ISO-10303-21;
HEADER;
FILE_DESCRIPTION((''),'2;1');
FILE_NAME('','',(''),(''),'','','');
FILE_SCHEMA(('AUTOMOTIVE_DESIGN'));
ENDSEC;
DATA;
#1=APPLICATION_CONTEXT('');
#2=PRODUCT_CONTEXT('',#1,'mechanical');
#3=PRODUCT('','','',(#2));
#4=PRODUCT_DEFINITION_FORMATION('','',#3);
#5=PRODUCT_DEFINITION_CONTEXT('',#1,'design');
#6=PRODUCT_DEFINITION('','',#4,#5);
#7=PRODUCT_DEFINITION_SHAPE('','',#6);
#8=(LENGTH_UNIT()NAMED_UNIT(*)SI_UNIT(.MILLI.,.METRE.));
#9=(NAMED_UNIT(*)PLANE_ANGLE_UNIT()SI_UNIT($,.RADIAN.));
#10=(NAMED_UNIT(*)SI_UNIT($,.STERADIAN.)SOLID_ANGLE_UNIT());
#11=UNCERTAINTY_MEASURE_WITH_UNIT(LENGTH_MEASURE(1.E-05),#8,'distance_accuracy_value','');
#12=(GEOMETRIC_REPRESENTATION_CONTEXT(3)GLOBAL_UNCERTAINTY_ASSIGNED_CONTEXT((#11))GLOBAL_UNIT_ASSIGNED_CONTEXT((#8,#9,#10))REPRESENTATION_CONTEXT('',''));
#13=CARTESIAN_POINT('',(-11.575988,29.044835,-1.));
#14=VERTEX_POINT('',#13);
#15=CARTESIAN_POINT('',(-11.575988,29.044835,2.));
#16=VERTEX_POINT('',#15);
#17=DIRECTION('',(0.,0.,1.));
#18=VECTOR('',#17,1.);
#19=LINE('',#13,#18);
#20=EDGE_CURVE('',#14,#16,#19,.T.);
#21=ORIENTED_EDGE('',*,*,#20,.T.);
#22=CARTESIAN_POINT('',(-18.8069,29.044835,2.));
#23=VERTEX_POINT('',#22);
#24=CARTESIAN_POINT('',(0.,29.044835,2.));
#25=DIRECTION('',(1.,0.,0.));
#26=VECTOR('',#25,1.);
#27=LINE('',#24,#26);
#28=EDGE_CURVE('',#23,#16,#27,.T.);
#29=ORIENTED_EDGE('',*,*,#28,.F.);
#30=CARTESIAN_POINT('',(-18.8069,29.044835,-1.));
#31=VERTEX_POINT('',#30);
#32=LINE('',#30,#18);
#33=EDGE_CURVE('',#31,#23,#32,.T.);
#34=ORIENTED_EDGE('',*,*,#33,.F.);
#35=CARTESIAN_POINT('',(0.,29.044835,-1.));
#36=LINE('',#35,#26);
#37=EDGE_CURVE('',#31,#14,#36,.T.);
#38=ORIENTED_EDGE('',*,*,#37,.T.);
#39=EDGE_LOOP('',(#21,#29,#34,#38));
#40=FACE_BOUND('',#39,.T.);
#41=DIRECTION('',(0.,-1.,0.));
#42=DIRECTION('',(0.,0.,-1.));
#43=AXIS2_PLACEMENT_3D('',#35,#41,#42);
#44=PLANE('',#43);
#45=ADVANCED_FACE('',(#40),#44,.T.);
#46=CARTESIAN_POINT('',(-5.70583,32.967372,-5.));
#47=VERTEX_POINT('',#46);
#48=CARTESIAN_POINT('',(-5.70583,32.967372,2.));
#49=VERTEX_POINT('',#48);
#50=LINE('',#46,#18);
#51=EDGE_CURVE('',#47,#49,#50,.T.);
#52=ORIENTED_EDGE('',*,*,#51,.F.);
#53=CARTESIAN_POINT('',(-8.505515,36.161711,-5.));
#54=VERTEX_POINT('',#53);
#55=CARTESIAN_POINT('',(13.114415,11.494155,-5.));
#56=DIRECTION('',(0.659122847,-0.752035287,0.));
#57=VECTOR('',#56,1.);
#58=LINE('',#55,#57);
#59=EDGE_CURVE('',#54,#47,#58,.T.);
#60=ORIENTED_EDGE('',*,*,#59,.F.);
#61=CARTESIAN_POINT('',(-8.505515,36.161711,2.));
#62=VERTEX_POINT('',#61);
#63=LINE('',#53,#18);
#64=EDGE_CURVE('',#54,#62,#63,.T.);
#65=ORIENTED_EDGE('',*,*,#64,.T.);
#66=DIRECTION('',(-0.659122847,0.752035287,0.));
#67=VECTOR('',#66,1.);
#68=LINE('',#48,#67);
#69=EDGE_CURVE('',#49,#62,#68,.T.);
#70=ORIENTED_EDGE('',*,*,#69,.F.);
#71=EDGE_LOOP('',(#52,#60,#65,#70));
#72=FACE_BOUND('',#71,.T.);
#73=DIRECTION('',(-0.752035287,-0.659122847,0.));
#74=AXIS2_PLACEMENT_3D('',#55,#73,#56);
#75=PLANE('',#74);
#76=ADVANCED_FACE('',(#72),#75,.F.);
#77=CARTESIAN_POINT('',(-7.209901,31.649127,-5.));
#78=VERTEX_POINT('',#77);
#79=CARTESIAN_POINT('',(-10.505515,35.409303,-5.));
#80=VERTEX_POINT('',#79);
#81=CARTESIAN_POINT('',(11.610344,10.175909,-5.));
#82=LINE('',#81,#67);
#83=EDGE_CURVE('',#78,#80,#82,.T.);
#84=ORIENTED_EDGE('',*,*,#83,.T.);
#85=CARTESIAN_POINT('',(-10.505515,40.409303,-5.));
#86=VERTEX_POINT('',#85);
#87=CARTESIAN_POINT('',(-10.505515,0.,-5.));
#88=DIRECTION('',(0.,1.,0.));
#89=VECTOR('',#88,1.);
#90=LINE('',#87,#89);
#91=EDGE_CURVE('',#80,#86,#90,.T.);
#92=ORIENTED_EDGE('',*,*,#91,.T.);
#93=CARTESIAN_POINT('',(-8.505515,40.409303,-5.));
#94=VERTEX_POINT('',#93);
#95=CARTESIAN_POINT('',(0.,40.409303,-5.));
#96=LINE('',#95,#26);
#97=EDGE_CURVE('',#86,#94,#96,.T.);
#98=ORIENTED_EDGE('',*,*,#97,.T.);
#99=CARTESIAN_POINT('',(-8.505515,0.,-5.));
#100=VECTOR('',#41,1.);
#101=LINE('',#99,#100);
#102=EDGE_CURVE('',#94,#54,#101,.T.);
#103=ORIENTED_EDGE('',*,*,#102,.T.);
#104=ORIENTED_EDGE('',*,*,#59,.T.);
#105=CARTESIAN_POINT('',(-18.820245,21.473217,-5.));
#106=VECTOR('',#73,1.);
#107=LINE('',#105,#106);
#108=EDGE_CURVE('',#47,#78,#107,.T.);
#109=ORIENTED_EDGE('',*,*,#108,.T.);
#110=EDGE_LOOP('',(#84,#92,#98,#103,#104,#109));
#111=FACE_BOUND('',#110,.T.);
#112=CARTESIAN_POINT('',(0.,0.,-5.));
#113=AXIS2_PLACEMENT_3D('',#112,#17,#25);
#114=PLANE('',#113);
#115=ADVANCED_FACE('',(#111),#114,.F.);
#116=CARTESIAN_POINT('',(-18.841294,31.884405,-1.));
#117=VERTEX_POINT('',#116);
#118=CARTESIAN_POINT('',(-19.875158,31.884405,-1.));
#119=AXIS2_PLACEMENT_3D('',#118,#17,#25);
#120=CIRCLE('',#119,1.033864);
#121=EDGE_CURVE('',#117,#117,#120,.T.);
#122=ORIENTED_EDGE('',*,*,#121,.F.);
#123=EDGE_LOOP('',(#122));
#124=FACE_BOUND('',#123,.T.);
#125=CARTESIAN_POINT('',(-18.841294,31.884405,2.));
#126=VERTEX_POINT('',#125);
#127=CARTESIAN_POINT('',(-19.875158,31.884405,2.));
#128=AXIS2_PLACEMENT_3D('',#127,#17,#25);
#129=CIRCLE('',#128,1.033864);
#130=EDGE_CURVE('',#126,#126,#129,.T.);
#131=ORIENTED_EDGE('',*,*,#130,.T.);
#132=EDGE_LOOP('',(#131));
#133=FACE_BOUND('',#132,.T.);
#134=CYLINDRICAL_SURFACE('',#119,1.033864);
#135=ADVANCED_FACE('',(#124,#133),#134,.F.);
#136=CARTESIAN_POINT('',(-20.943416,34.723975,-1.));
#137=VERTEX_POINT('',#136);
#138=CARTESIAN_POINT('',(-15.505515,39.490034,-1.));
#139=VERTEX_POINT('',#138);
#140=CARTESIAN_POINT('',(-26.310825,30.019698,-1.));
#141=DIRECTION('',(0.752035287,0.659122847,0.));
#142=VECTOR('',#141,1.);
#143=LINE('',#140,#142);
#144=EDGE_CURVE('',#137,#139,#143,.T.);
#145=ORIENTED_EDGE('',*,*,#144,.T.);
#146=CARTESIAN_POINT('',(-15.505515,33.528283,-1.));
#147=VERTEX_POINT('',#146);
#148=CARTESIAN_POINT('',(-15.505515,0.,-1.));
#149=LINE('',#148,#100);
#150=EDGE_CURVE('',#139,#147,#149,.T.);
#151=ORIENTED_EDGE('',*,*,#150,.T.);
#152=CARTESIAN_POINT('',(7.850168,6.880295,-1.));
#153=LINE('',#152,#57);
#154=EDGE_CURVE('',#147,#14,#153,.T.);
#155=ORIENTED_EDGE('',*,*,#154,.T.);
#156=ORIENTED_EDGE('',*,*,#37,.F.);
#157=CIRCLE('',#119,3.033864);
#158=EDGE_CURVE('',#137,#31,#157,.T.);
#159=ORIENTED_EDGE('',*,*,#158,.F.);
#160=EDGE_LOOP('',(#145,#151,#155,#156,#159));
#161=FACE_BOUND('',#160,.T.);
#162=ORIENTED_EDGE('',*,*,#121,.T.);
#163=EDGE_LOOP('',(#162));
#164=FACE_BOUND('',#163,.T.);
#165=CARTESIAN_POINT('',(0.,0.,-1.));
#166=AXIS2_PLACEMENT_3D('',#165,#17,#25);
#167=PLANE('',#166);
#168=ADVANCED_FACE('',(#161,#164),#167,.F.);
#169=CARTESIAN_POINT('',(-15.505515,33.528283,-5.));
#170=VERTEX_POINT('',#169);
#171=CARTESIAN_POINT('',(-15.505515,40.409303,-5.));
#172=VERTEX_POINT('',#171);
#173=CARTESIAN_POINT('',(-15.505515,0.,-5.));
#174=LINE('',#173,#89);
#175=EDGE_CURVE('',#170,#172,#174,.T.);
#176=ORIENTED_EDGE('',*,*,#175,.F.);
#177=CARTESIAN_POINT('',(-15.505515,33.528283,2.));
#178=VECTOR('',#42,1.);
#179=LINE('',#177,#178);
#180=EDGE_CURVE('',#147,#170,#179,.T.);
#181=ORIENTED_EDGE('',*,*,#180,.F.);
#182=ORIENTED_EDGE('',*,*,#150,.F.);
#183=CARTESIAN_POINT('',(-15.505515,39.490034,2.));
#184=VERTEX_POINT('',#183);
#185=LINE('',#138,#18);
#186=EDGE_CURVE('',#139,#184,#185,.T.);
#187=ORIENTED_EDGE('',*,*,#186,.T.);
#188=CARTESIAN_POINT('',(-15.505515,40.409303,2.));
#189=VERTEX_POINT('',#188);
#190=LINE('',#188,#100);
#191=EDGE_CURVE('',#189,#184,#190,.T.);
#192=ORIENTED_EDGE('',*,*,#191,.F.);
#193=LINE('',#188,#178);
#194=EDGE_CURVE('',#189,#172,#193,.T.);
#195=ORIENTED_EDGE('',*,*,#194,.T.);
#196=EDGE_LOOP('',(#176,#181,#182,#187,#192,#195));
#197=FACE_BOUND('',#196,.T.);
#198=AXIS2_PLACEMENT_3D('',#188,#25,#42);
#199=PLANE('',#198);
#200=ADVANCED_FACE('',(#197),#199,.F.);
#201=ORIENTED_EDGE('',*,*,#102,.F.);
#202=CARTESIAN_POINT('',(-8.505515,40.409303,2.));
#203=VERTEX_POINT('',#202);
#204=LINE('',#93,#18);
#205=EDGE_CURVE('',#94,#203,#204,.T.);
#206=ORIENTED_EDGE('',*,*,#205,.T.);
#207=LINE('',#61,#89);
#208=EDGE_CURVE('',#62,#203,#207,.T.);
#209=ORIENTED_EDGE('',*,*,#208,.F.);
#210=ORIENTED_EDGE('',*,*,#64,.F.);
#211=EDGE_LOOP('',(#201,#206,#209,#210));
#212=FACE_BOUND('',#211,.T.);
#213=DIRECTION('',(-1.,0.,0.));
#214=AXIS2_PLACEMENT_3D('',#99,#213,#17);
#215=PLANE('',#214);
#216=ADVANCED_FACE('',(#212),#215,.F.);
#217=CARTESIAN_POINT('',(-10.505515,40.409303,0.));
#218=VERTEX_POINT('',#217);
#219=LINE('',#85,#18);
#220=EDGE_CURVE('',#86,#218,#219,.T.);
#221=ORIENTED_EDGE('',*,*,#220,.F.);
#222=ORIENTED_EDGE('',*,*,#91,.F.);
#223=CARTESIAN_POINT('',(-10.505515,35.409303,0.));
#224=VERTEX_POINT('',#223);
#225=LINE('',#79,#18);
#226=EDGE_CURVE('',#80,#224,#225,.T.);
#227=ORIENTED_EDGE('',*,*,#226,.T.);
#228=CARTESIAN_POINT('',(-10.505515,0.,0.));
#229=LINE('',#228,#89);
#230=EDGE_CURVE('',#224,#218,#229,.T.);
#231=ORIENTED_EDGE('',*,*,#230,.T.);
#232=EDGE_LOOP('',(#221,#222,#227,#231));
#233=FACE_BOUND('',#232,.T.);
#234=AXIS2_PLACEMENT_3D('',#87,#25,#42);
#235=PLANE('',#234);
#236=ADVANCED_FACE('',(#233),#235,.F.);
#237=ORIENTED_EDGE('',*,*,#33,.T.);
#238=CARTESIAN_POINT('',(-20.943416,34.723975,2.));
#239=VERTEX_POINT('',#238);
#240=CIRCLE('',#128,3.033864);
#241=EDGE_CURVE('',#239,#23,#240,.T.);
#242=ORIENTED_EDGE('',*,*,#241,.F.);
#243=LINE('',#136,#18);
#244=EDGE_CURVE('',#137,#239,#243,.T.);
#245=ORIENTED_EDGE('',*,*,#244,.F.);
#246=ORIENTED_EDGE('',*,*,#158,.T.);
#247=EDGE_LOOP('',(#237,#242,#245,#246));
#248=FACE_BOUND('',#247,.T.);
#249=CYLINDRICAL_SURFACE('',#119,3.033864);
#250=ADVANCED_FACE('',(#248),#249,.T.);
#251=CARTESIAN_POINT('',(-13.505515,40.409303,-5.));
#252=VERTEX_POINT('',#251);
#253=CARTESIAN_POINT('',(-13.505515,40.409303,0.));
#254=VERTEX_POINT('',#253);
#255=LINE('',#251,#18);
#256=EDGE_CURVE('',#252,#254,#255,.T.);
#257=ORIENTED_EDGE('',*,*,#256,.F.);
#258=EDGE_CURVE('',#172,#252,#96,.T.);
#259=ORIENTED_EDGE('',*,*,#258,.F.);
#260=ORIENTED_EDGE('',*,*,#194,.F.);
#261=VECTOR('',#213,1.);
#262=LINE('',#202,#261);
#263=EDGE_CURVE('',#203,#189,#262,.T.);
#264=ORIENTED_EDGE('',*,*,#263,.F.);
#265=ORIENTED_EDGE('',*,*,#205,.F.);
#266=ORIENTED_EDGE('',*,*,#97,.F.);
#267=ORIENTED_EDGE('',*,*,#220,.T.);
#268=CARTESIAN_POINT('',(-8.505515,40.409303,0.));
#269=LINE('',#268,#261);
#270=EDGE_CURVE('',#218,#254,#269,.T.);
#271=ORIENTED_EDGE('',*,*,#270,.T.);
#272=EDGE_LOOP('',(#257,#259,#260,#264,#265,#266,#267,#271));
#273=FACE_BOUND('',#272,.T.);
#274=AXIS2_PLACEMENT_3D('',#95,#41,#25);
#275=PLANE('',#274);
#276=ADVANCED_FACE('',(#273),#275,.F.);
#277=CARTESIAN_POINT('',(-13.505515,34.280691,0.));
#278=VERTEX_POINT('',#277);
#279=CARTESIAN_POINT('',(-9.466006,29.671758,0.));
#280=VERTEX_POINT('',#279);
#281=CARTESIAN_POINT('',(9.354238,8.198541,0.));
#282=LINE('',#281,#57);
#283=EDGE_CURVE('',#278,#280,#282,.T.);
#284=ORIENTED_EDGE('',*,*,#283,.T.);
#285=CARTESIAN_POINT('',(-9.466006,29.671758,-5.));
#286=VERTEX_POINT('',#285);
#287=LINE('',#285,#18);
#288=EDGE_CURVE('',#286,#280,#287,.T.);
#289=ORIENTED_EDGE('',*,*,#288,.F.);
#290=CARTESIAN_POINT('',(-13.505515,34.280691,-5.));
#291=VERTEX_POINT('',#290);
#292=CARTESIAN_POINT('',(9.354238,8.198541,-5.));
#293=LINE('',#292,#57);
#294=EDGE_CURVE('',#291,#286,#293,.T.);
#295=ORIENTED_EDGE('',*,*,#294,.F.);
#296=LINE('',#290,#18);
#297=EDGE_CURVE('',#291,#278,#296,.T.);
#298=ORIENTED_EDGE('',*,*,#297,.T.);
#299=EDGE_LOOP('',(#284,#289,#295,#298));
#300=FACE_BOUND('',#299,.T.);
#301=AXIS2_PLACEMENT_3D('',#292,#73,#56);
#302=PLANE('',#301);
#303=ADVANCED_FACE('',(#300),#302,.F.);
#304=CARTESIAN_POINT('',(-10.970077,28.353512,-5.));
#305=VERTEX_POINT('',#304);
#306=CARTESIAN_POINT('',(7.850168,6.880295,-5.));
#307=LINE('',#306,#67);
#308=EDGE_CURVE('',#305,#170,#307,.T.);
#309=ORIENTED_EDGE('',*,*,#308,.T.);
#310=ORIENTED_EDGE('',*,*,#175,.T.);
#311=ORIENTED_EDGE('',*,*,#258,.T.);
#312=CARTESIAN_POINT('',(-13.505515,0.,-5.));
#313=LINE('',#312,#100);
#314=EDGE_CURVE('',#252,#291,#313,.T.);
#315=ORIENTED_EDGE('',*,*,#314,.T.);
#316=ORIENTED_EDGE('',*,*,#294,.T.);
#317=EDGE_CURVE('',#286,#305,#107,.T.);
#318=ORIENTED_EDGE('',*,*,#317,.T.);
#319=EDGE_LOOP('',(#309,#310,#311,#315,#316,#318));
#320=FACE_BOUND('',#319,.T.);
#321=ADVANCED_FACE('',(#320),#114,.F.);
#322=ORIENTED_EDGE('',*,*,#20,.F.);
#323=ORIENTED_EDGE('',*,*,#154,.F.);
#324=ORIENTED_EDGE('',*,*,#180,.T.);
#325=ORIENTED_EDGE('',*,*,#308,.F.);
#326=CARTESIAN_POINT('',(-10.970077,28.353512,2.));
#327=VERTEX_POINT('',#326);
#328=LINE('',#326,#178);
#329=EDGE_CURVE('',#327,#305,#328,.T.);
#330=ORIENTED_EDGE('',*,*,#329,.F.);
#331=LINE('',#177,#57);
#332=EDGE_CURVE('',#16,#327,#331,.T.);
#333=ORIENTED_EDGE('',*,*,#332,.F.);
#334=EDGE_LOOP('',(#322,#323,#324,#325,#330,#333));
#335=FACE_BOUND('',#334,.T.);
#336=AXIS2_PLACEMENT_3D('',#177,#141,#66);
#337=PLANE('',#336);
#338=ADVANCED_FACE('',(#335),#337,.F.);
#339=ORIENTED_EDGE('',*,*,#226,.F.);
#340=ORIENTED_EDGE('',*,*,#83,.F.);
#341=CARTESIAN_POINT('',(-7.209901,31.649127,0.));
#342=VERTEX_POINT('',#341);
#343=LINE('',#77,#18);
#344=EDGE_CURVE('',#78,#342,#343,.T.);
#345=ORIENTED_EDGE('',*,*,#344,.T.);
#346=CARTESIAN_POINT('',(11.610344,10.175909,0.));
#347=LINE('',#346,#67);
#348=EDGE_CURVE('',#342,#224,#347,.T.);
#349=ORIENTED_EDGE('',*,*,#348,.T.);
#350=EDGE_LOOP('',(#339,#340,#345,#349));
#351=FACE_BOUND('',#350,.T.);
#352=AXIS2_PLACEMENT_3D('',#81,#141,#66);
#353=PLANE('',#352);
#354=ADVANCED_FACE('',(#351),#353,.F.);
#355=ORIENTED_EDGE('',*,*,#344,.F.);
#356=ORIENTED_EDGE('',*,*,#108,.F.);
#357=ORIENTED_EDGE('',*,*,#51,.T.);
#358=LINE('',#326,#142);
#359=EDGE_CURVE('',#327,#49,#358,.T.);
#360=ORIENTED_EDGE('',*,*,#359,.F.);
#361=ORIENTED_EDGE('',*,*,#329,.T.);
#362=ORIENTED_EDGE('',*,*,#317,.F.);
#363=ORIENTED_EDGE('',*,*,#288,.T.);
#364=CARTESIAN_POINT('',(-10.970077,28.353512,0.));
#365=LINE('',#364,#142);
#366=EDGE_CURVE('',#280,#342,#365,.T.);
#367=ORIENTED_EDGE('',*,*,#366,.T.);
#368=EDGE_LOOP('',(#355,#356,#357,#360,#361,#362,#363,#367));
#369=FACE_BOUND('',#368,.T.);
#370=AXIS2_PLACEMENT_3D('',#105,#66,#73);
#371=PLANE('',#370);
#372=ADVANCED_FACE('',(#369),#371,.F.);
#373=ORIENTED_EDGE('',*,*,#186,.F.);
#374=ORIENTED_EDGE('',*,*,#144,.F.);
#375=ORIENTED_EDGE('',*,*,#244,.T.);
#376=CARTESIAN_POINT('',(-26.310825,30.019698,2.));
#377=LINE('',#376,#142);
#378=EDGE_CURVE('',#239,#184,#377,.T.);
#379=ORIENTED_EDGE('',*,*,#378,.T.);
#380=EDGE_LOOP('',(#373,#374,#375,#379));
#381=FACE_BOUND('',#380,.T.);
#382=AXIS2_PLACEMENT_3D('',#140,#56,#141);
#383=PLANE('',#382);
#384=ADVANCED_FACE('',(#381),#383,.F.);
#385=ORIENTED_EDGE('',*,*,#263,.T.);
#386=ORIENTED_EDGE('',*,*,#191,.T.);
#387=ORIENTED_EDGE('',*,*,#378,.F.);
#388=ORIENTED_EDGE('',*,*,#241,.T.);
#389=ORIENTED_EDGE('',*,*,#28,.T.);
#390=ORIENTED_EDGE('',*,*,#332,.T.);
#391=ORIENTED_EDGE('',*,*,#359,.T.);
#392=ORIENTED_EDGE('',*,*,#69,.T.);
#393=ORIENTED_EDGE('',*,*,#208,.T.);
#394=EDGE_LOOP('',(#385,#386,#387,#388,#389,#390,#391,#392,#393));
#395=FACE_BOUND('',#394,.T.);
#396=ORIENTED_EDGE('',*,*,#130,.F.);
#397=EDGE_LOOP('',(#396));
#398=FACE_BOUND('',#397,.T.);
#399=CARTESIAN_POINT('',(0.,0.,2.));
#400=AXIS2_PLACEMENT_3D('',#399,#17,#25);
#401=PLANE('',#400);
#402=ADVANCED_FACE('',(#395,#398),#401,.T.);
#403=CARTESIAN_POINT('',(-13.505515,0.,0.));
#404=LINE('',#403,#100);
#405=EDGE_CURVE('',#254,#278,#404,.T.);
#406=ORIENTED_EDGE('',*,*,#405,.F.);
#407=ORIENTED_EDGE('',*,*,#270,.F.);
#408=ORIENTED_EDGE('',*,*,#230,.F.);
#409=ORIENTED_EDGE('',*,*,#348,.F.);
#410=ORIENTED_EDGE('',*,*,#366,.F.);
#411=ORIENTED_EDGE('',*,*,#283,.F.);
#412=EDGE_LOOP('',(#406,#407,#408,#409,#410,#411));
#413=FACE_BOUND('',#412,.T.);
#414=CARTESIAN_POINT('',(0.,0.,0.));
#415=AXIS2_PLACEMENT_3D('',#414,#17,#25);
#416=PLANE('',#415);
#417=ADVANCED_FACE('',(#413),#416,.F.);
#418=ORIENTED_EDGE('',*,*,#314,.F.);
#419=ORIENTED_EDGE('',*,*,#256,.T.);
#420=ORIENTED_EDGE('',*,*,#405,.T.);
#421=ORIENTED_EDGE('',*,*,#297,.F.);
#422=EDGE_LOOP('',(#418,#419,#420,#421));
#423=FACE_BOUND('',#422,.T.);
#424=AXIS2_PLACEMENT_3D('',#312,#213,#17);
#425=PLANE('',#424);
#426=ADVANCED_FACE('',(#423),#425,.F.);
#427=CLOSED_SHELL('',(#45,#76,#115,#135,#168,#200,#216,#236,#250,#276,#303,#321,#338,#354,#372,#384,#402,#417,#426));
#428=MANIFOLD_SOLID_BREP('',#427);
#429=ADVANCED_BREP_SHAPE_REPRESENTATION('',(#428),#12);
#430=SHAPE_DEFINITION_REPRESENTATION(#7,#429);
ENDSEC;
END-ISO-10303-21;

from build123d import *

# Parameters (mm, degrees)
BOSS_EXTRUDE1_DEPTH   = 5
BOSS_EXTRUDE1_2_DEPTH = 5
BOSS_EXTRUDE2_DEPTH   = 2
SKETCH3_R             = 1.033864096
BOSS_EXTRUDE3_DEPTH   = 3


with BuildPart() as part:
    # Sketch1 → Boss-Extrude1 (new body)
    with BuildSketch(Plane.XY):
        Polygon((-10.505514799, 35.409303061), (-7.209900565, 31.649126626), (-5.705829991, 32.967372319), (-8.505514799, 36.161711248), (-8.505514799, 40.409303061), (-10.505514799, 40.409303061), align=None)
    extrude(amount=-BOSS_EXTRUDE1_DEPTH)



with BuildPart() as body_2:
    # Sketch1 → Boss-Extrude1 2 (new body)
    with BuildSketch(Plane.XY):
        Polygon((-13.505514799, 34.280690781), (-9.466006426, 29.671758086), (-10.970077001, 28.353512393), (-15.505514799, 33.528282595), (-15.505514799, 40.409303061), (-13.505514799, 40.409303061), align=None)
    extrude(amount=-BOSS_EXTRUDE1_2_DEPTH)


with BuildPart() as part_1:
    add(part.part)

    add(body_2.part)  # Boss-Extrude2 merges body 2
    # Sketch2 → Boss-Extrude2 (add)
    with BuildSketch(Plane.XY):
        Polygon((-10.970077001, 28.353512393), (-5.705829991, 32.967372319), (-8.505514799, 36.161711248), (-8.505514799, 40.409303061), (-15.505514799, 40.409303061), (-15.505514799, 33.528282595), align=None)
    extrude(amount=BOSS_EXTRUDE2_DEPTH)

    # Sketch3 → Boss-Extrude3 (add)
    with BuildSketch(Plane.XY.offset(2)):
        with BuildLine():
            Line((-11.57598817, 29.044835084), (-15.505514799, 33.528282595))
            Line((-15.505514799, 33.528282595), (-15.505514799, 39.490034108))
            Line((-15.505514799, 39.490034108), (-20.943415916, 34.723974688))
            ThreePointArc((-20.943415916, 34.723974688), (-22.714727935, 30.816147103), (-18.80690035, 29.044835084))
            Line((-18.80690035, 29.044835084), (-11.57598817, 29.044835084))
        make_face()
        with Locations((-19.875158133, 31.884404886)):
            Circle(SKETCH3_R, mode=Mode.SUBTRACT)
    extrude(amount=-BOSS_EXTRUDE3_DEPTH)


solid = part_1.part
